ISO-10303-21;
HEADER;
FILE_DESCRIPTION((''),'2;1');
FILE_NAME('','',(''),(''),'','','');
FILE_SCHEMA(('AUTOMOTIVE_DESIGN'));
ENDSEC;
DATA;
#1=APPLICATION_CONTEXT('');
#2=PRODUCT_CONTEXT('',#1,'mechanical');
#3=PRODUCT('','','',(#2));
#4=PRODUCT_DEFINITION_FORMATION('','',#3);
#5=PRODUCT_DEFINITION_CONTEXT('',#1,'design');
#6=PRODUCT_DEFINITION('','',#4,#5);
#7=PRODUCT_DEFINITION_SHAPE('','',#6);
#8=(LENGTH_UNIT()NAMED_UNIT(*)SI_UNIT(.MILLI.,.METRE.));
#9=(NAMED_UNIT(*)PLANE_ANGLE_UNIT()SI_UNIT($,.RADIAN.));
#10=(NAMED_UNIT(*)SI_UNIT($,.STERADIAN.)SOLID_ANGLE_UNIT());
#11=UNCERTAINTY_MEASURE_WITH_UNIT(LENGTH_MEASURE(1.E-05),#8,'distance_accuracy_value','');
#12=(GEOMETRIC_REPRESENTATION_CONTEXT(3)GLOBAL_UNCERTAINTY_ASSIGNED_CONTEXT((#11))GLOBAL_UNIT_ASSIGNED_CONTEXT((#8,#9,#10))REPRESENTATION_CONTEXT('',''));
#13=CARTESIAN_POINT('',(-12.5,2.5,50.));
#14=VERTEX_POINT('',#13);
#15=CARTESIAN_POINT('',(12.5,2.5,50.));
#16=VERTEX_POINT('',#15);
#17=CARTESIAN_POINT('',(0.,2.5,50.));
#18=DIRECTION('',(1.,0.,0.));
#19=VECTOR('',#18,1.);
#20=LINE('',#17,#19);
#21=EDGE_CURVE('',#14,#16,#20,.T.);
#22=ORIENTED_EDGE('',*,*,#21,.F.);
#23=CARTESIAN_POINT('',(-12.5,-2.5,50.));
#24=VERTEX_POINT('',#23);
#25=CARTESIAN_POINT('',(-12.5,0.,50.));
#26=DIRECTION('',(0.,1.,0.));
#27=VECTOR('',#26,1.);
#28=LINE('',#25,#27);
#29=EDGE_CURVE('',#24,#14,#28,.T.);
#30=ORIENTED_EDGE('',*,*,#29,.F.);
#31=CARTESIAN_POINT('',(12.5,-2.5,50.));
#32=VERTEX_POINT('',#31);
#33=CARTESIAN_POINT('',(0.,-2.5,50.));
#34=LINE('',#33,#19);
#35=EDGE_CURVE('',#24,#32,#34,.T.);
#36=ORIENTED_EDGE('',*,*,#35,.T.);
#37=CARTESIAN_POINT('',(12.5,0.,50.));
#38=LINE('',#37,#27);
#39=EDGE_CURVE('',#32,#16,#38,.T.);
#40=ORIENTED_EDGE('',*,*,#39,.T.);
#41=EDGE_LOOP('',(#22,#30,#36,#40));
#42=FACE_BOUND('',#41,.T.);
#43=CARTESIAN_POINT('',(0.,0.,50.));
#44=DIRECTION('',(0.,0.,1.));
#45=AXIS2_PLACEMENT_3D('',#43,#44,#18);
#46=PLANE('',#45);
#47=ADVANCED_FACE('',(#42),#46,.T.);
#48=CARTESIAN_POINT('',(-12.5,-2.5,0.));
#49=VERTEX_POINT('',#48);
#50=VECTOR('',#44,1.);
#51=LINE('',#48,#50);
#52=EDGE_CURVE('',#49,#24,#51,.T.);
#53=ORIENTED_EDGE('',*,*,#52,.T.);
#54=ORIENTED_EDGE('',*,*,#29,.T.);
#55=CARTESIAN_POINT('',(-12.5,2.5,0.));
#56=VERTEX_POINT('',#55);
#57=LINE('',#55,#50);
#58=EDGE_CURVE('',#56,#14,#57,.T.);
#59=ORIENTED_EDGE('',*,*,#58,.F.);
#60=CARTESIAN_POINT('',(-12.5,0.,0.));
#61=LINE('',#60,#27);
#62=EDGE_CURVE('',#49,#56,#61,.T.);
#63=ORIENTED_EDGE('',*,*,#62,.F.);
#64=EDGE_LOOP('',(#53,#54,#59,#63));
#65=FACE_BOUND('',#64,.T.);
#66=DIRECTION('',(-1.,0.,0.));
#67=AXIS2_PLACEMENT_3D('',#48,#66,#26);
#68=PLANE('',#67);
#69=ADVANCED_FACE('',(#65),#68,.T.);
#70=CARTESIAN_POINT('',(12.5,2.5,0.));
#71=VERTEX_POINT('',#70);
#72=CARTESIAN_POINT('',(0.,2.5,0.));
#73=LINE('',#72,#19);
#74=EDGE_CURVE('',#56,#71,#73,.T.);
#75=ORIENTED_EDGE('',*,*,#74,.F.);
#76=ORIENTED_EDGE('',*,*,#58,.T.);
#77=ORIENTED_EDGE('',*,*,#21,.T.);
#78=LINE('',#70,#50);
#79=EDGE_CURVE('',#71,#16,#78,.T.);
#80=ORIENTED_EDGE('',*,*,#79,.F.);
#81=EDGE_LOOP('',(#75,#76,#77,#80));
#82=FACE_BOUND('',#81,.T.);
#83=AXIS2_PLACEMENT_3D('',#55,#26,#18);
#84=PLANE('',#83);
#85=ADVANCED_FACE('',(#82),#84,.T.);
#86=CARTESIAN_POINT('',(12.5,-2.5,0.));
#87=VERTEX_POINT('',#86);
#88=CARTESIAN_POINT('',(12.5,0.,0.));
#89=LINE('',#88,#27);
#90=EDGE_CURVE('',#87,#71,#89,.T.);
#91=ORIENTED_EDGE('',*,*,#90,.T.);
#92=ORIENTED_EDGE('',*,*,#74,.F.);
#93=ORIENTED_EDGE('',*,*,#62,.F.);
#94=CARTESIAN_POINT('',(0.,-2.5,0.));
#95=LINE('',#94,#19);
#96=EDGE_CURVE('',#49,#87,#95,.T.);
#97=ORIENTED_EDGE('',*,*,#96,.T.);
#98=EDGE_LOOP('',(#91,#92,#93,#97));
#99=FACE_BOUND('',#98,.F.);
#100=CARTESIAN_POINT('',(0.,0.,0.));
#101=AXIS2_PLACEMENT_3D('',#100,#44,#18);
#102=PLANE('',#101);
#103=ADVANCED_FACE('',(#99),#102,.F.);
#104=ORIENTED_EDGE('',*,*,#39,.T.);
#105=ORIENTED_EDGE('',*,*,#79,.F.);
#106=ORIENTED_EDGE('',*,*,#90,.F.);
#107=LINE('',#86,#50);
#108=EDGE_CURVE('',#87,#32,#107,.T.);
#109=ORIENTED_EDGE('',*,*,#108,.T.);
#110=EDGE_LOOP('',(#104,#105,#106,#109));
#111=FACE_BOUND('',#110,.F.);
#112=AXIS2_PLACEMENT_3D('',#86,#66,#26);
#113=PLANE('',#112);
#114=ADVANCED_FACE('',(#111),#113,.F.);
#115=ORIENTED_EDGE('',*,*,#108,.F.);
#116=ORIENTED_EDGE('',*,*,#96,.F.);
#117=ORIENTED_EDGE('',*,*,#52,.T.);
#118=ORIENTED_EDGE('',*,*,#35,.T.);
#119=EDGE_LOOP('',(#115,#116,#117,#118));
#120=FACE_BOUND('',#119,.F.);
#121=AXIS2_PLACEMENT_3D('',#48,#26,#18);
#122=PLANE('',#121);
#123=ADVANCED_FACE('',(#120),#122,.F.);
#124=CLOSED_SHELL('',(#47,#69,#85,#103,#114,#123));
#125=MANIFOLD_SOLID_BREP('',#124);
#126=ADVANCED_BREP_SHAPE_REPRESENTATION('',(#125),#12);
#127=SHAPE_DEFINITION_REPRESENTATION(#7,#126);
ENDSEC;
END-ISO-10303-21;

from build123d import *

# Parameters (mm, degrees)
SKETCH_W      = 25
SKETCH_H      = 5
EXTRUDE_DEPTH = 50


with BuildPart() as part:
    # Sketch → Extrude (new body)
    with BuildSketch(Plane.XY):
        Rectangle(SKETCH_W, SKETCH_H)
    extrude(amount=EXTRUDE_DEPTH)


solid = part.part
